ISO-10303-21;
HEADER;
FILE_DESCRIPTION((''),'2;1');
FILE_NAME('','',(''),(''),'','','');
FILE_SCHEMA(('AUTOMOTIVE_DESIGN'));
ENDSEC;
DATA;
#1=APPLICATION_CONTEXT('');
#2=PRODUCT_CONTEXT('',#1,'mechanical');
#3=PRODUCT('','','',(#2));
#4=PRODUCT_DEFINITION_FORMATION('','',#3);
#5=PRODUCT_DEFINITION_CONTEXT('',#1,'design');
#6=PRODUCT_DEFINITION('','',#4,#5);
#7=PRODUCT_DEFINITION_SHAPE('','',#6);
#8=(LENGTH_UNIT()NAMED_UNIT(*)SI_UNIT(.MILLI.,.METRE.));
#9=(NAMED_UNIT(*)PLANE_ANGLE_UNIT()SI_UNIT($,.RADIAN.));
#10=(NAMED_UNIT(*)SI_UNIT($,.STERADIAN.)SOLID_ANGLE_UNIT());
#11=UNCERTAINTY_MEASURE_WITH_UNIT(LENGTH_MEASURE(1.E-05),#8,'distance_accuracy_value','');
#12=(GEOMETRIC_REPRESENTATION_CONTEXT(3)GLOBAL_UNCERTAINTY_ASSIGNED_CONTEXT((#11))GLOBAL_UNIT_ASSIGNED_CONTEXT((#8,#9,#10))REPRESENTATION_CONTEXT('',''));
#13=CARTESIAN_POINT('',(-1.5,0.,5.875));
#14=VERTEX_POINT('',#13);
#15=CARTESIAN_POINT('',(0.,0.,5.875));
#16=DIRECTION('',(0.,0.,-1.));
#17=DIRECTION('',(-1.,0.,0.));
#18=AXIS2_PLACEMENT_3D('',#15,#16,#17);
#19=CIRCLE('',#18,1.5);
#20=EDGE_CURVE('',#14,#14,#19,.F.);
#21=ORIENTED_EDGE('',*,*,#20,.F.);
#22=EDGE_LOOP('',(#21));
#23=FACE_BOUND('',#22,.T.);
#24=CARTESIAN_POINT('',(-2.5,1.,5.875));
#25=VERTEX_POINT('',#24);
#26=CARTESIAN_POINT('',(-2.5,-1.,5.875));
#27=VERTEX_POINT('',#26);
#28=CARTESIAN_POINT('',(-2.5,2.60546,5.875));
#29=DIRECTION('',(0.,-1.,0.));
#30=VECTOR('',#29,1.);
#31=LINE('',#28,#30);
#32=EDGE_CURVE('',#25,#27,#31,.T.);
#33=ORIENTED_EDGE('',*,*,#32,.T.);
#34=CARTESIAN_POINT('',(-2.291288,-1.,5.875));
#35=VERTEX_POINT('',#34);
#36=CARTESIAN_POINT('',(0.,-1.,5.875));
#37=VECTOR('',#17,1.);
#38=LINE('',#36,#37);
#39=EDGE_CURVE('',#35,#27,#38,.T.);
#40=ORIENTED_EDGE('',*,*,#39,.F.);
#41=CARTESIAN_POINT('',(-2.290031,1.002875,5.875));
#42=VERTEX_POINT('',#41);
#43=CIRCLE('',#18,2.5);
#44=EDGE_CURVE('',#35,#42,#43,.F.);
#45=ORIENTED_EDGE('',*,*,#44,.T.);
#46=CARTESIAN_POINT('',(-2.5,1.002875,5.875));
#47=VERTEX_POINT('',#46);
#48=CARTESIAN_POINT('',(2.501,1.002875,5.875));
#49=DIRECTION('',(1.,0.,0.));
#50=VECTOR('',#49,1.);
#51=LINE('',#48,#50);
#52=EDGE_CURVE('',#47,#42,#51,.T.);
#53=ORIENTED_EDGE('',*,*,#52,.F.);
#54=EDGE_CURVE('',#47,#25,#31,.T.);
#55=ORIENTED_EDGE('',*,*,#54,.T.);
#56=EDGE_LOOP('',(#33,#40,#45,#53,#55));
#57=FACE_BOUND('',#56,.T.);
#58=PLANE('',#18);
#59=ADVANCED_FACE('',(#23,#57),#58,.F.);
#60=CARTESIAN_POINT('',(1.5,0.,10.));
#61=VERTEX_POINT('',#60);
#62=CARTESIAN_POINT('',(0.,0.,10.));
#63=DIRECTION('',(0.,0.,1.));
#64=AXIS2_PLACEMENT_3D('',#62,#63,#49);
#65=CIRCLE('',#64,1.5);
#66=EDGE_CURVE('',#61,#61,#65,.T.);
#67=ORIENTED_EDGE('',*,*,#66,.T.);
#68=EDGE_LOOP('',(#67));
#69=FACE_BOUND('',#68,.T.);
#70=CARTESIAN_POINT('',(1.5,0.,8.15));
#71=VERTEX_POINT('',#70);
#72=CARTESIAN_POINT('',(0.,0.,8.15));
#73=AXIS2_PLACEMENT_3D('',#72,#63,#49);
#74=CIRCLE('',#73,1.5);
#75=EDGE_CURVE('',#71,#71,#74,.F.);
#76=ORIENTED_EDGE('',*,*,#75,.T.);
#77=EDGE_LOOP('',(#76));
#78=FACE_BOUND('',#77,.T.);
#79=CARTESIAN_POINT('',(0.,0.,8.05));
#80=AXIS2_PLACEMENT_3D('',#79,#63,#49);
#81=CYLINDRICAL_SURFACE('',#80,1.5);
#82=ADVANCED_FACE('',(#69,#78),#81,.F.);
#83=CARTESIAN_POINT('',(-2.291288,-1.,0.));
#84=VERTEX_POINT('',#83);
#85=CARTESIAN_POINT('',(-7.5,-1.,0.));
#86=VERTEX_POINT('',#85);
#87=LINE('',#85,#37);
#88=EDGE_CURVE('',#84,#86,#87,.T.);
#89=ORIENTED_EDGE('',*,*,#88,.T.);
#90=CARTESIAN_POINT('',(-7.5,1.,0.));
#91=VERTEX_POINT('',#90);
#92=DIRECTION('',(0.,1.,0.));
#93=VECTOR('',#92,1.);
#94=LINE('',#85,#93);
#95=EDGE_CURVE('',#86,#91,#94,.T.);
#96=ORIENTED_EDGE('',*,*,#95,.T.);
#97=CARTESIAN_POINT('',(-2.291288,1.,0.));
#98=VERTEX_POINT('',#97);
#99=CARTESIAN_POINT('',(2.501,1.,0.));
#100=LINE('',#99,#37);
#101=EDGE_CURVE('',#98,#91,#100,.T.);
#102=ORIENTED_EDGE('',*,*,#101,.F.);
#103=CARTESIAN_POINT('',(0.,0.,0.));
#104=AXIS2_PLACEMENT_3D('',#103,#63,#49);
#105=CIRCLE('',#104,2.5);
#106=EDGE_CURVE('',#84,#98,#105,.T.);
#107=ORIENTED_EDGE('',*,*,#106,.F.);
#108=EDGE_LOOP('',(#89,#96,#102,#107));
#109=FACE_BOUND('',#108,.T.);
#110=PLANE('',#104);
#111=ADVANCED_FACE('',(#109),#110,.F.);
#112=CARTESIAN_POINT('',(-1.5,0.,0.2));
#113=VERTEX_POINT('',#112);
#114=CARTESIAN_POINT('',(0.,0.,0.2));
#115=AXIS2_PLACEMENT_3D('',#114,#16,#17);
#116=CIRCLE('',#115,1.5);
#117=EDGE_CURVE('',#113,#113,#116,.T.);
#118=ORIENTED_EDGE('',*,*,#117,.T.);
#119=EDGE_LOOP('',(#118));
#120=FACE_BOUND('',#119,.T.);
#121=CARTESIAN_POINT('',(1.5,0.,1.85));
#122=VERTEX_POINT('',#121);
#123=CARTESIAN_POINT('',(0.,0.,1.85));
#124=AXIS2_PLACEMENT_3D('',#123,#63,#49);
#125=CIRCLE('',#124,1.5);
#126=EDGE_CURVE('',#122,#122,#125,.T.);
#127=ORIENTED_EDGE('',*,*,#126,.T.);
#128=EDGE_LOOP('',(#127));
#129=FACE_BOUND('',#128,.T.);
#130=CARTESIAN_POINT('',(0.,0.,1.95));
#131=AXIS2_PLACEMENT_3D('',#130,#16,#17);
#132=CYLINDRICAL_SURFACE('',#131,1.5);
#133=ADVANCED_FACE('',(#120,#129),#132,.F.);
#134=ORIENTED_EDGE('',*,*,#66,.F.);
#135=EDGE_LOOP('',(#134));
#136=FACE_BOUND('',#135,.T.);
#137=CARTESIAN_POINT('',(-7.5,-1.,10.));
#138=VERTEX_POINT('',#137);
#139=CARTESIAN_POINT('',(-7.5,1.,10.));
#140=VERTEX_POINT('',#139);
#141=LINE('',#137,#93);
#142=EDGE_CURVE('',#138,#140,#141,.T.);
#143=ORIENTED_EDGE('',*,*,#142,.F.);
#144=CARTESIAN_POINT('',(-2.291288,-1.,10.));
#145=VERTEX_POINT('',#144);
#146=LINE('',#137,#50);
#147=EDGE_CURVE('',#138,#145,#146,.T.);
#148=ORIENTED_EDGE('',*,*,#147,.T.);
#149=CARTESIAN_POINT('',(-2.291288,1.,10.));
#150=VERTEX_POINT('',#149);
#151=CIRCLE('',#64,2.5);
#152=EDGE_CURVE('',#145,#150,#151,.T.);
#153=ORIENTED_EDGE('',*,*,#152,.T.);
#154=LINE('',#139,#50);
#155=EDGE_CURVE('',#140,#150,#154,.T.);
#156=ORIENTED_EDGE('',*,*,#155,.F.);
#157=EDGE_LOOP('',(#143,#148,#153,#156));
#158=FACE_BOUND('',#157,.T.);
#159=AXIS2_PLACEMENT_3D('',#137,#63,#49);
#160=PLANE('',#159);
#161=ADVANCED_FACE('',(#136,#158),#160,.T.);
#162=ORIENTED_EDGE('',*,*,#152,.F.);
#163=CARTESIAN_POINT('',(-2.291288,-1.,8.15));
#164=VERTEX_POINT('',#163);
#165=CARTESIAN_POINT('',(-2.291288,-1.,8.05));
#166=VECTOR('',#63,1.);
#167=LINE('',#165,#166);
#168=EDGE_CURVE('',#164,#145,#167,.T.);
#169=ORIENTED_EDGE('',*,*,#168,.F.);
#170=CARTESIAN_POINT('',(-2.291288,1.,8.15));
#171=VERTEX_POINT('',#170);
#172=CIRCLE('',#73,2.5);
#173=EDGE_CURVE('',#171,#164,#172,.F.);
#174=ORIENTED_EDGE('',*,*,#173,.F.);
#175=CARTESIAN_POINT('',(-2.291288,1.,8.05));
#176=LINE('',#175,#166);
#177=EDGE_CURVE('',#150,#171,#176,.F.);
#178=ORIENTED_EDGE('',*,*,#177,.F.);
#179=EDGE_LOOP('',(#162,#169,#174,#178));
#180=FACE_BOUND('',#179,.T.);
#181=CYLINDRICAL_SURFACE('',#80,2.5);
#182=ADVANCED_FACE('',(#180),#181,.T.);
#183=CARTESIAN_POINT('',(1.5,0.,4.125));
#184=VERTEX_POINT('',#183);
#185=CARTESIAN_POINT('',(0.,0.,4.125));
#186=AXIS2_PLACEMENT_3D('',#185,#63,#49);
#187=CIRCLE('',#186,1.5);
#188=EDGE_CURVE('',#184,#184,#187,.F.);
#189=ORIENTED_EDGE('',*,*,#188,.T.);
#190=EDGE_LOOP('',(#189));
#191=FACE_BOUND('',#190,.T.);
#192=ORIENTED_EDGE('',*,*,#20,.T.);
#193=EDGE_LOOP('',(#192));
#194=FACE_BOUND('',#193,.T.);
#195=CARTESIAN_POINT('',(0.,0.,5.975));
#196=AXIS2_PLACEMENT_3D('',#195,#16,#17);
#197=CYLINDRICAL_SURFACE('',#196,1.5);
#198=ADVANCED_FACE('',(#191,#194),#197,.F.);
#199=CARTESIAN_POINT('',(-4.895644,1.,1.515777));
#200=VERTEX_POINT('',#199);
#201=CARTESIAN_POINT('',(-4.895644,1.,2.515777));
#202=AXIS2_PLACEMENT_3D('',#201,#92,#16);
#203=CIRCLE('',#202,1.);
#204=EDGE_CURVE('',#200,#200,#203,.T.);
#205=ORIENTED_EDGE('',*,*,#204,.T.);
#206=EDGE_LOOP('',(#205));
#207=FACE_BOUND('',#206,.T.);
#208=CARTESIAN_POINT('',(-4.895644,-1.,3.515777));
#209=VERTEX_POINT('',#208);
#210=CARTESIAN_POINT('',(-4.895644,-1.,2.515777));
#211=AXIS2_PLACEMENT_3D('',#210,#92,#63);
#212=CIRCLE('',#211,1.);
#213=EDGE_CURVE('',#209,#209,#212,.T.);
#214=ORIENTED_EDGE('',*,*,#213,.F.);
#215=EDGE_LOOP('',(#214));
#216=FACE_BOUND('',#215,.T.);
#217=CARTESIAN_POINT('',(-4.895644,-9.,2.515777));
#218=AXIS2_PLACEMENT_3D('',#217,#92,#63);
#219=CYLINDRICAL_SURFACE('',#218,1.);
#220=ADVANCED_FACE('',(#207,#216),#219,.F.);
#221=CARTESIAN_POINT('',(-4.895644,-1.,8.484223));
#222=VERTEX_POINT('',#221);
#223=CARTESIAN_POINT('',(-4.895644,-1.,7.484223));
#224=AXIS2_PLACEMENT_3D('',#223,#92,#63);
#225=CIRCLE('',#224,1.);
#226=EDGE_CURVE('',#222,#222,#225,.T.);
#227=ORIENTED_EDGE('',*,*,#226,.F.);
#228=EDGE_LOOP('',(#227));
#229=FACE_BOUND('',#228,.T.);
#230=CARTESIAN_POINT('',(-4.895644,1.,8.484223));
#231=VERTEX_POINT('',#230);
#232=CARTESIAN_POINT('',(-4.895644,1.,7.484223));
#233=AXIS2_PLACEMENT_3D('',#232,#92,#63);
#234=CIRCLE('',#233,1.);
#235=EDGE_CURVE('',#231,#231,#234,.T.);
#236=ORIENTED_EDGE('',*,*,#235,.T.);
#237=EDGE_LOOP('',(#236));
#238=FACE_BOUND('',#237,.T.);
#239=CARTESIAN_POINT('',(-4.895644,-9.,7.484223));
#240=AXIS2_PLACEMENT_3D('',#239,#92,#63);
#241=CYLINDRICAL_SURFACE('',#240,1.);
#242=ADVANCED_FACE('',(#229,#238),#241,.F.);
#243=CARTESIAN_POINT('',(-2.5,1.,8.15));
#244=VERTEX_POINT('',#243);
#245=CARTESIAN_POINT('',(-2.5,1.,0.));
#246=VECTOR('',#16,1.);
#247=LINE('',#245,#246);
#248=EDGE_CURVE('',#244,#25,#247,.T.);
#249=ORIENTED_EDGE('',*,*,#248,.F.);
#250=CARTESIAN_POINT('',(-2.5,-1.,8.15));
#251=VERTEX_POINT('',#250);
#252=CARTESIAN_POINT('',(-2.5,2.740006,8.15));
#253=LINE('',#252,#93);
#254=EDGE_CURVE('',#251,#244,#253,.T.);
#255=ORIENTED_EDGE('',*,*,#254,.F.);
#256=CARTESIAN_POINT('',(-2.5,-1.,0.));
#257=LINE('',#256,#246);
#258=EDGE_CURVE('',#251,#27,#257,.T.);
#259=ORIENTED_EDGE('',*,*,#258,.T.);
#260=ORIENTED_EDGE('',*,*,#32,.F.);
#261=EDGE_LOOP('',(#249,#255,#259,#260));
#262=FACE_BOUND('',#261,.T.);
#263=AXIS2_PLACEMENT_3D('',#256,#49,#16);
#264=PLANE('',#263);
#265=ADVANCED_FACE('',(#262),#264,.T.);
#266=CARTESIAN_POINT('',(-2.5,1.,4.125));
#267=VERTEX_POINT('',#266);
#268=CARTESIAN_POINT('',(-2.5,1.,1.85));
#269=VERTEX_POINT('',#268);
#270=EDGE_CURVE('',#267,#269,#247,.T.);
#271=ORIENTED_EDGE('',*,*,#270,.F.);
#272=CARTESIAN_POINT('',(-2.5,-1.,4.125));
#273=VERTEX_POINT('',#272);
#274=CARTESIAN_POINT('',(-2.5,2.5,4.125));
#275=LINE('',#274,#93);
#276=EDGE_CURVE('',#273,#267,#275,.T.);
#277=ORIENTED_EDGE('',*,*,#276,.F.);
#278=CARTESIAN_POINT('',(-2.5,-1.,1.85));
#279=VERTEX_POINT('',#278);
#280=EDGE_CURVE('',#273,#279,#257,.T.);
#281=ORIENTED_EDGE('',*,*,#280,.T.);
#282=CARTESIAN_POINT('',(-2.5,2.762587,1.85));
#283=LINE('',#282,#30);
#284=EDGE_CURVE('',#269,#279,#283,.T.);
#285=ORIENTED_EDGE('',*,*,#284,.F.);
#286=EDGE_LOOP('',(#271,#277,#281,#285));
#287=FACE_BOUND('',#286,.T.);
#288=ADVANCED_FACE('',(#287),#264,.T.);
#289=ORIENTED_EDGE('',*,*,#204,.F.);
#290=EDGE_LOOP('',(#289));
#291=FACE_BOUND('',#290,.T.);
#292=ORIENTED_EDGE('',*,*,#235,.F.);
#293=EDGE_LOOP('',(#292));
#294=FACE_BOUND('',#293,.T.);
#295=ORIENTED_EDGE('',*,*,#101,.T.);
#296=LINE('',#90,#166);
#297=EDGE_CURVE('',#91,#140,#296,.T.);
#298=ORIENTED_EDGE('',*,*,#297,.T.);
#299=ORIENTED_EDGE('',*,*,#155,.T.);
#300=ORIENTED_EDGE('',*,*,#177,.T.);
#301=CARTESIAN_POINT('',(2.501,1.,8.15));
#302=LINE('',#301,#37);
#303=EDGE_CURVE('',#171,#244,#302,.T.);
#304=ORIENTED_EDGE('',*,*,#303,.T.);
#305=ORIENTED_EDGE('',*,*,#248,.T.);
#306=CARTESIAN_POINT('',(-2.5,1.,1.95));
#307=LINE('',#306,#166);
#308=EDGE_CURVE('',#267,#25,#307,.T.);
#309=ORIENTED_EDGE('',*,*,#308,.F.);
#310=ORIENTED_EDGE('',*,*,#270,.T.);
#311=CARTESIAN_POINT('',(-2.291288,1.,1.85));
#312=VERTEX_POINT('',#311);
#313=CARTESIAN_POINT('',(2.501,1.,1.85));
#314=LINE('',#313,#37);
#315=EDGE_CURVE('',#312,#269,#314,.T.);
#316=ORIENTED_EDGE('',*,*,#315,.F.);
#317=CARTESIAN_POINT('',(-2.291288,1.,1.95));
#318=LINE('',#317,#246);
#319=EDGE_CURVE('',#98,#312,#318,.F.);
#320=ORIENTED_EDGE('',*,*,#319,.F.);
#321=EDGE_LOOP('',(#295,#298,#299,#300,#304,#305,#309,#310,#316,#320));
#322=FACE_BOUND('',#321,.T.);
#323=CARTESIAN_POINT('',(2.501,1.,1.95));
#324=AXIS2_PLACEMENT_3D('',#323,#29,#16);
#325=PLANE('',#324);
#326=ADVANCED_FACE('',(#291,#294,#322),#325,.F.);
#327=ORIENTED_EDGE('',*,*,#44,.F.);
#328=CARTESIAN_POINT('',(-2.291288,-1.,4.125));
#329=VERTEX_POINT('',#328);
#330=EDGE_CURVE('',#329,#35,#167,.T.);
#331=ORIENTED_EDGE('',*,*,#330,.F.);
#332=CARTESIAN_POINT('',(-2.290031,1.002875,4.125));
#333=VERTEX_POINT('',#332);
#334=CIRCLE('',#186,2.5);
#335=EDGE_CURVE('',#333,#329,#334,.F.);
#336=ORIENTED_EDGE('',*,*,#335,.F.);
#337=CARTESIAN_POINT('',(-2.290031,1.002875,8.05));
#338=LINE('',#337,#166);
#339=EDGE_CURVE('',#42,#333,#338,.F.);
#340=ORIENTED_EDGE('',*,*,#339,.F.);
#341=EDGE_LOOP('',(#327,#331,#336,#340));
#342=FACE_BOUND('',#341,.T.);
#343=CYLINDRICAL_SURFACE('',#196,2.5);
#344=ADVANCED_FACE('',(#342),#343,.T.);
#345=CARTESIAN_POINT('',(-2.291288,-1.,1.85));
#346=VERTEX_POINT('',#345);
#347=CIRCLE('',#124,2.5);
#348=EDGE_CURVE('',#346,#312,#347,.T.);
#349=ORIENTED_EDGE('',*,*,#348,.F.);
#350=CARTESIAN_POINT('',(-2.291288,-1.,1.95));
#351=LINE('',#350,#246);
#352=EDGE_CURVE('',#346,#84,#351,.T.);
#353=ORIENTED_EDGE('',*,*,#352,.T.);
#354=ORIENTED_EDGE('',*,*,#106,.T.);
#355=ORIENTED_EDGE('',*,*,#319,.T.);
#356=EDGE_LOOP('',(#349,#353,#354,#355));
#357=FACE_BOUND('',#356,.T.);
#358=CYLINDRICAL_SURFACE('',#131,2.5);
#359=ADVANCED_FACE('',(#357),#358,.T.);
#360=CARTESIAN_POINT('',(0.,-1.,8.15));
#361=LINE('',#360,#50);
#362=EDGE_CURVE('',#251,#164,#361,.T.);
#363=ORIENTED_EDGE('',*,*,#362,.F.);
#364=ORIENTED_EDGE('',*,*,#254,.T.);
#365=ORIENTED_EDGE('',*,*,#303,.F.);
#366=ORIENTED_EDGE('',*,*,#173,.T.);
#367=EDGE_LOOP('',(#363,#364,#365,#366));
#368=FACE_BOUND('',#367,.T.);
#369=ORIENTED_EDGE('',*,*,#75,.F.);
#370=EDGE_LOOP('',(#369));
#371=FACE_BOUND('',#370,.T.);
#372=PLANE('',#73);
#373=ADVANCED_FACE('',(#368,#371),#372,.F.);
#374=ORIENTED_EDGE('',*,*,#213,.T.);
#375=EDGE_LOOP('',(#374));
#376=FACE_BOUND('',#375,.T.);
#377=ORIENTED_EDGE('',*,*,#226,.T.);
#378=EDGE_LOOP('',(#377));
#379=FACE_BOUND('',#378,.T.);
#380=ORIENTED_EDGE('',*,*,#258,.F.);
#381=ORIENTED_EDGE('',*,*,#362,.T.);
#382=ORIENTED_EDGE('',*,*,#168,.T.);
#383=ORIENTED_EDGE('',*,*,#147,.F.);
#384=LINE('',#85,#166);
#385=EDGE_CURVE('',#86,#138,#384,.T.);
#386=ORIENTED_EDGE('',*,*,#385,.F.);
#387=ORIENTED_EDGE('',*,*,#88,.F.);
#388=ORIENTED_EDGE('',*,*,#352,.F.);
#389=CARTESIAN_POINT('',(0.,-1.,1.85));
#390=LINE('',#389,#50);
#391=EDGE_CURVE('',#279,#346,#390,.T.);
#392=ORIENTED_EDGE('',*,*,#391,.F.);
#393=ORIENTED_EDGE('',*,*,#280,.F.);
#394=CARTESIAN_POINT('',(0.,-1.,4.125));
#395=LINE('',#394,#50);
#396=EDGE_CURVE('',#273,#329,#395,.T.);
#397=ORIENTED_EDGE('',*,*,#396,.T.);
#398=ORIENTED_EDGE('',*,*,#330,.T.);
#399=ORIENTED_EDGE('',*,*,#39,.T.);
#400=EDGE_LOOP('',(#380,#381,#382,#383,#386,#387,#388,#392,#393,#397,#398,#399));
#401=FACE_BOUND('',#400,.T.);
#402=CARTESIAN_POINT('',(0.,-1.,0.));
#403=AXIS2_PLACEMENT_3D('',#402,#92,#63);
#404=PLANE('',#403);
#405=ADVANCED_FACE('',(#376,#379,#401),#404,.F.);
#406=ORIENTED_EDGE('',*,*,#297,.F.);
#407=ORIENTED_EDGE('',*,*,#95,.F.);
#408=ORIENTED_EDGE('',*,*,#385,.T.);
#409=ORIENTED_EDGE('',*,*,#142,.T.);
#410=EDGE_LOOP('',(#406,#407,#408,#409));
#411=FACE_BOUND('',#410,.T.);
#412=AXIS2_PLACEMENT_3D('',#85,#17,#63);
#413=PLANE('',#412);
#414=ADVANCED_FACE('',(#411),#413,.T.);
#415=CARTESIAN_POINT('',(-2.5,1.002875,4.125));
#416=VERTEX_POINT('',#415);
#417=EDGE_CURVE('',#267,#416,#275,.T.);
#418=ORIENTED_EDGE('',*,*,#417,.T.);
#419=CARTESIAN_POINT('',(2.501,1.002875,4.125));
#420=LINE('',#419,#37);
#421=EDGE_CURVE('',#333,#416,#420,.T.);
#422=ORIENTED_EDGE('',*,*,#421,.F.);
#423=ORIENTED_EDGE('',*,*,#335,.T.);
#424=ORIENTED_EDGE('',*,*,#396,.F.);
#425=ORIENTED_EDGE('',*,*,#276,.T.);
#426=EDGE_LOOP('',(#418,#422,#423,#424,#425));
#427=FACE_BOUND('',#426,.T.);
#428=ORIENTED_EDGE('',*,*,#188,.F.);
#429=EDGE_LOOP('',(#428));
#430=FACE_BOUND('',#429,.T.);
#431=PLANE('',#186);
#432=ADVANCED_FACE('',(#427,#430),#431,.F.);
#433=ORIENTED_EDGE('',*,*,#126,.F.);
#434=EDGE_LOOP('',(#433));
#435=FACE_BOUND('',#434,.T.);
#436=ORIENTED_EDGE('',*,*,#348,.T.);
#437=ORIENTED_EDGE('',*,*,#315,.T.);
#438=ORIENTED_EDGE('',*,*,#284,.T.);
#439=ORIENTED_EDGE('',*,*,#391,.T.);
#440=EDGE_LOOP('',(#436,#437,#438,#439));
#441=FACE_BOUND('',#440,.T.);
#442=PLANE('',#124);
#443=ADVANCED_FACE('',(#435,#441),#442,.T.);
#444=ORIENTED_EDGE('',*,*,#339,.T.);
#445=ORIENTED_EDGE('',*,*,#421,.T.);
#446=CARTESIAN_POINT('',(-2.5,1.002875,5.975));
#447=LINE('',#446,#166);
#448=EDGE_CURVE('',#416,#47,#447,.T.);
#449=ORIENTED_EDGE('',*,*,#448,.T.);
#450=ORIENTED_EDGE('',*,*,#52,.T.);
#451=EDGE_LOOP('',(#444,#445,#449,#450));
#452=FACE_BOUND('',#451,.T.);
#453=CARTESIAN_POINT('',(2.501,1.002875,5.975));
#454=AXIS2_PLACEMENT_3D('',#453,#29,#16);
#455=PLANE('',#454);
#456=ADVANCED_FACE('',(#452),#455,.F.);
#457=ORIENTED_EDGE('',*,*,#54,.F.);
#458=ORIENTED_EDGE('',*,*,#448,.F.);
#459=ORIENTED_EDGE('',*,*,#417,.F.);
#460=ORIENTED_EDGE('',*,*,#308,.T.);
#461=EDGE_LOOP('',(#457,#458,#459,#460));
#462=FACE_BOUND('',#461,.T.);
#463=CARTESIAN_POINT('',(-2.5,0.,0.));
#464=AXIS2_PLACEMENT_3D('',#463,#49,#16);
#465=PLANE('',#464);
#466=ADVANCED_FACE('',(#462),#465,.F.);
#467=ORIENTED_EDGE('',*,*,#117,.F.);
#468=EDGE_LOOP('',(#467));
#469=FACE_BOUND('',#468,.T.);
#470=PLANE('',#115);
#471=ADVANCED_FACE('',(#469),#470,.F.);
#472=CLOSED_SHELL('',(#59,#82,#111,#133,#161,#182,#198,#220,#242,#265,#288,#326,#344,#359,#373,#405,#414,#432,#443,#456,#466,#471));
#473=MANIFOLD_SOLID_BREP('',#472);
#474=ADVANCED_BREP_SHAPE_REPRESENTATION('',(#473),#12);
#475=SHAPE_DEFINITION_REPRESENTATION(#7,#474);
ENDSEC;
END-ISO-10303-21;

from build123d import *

# Parameters (mm, degrees)
SKETCH1_R                = 2.5
SKETCH1_R_2              = 1.5
BOSS_EXTRUDE2_DEPTH      = 1.95
SKETCH7_W                = 5
SKETCH7_H                = 10
BOSS_EXTRUDE3_DEPTH      = 1
BOSS_EXTRUDE3_DEPTH_BACK = 1
SKETCH8_W                = 1.95
SKETCH8_H                = 2
BOSS_EXTRUDE4_DEPTH      = 0.208712
SKETCH10_R               = 2.5
SKETCH10_R_2             = 1.5
BOSS_EXTRUDE5_DEPTH      = 1.95
SKETCH12_R               = 2.5
SKETCH12_R_2             = 1.5
BOSS_EXTRUDE6_DEPTH      = 0.975
BOSS_EXTRUDE6_DEPTH_BACK = 0.975
SKETCH13_W               = 1.95
SKETCH13_H               = 2.002875352
SKETCH13_H_2             = 2
BOSS_EXTRUDE7_DEPTH      = 0.209969
SKETCH15_R               = 1.5
BOSS_EXTRUDE8_DEPTH      = 0.2
SKETCH16_R               = 1
CUT_EXTRUDE1_DEPTH       = 10
SKETCH17_W               = 5
SKETCH17_H               = 5.480011174
CUT_EXTRUDE2_DEPTH       = 0.1
SKETCH18_W               = 5
SKETCH18_H               = 5.210920168
CUT_EXTRUDE3_DEPTH       = 0.1
SKETCH19_W               = 5
SKETCH19_H               = 5
CUT_EXTRUDE5_DEPTH       = 0.1
SKETCH20_W               = 5
SKETCH20_H               = 5.52517398
CUT_EXTRUDE6_DEPTH       = 0.1


with BuildPart() as part:
    # Sketch1 → Boss-Extrude2 (new body)
    with BuildSketch(Plane.XY):
        Circle(SKETCH1_R)
        Circle(SKETCH1_R_2, mode=Mode.SUBTRACT)
    extrude(amount=BOSS_EXTRUDE2_DEPTH)



with BuildPart() as body_2:
    # Sketch7 → Boss-Extrude3 (new body, two sides)
    with BuildSketch(Plane(origin=(0, 0, 0), x_dir=(1, 0, 0), z_dir=(0, 1, 0))) as boss_extrude3_sk:
        with Locations((-5, -5)):
            Rectangle(SKETCH7_W, SKETCH7_H)
    extrude(amount=BOSS_EXTRUDE3_DEPTH)
    extrude(boss_extrude3_sk.sketch, amount=-BOSS_EXTRUDE3_DEPTH_BACK)


with BuildPart() as part_1:
    add(part.part)

    add(body_2.part)  # Boss-Extrude4 merges body 2
    # Sketch8 → Boss-Extrude4 (add)
    with BuildSketch(Plane(origin=(-2.5, 0, 0), x_dir=(0, 0, -1), z_dir=(1, 0, 0))):
        with Locations((-0.975, 0)):
            Rectangle(SKETCH8_W, SKETCH8_H)
    extrude(amount=BOSS_EXTRUDE4_DEPTH)



with BuildPart() as body_2_2:
    # Sketch10 → Boss-Extrude5 (new body)
    with BuildSketch(Plane.XY.offset(10)):
        Circle(SKETCH10_R)
        Circle(SKETCH10_R_2, mode=Mode.SUBTRACT)
    extrude(amount=-BOSS_EXTRUDE5_DEPTH)


with BuildPart() as body_3:
    # Sketch12 → Boss-Extrude6 (new body, two sides)
    with BuildSketch(Plane.YX.offset(-5)) as boss_extrude6_sk:
        Circle(SKETCH12_R)
        Circle(SKETCH12_R_2, mode=Mode.SUBTRACT)
    extrude(amount=BOSS_EXTRUDE6_DEPTH)
    extrude(boss_extrude6_sk.sketch, amount=-BOSS_EXTRUDE6_DEPTH_BACK)


with BuildPart() as part_2:
    add(part_1.part)

    add(body_2_2.part)  # Boss-Extrude7 merges body 2 2

    add(body_3.part)  # Boss-Extrude7 merges body 3
    # Sketch13 → Boss-Extrude7 (add)
    with BuildSketch(Plane(origin=(-2.5, 0, 0), x_dir=(0, 0, -1), z_dir=(1, 0, 0))):
        with Locations((-5, 0.001437676)):
            Rectangle(SKETCH13_W, SKETCH13_H)
        with Locations((-9.025, 0)):
            Rectangle(SKETCH13_W, SKETCH13_H_2)
    extrude(amount=BOSS_EXTRUDE7_DEPTH)

    # Sketch15 → Boss-Extrude8 (add)
    with BuildSketch(Plane(origin=(0, 0, 0), x_dir=(-1, 0, 0), z_dir=(0, 0, -1))):
        Circle(SKETCH15_R)
    extrude(amount=-BOSS_EXTRUDE8_DEPTH)

    # Sketch16 → Cut-Extrude1 (cut)
    with BuildSketch(Plane(origin=(0, 1, 0), x_dir=(1, 0, 0), z_dir=(0, 1, 0))):
        with Locations((-4.895643924, -7.484223199)):
            Circle(SKETCH16_R)
        with Locations((-4.895643924, -2.515776801)):
            Circle(SKETCH16_R)
    extrude(amount=-CUT_EXTRUDE1_DEPTH, mode=Mode.SUBTRACT)

    # Sketch17 → Cut-Extrude2 (cut)
    with BuildSketch(Plane(origin=(0, 0, 8.05), x_dir=(-1, 0, 0), z_dir=(0, 0, -1))):
        Rectangle(SKETCH17_W, SKETCH17_H)
    extrude(amount=-CUT_EXTRUDE2_DEPTH, mode=Mode.SUBTRACT)

    # Sketch18 → Cut-Extrude3 (cut)
    with BuildSketch(Plane.XY.offset(5.975)):
        Rectangle(SKETCH18_W, SKETCH18_H)
    extrude(amount=-CUT_EXTRUDE3_DEPTH, mode=Mode.SUBTRACT)

    # Sketch19 → Cut-Extrude5 (cut)
    with BuildSketch(Plane(origin=(0, 0, 4.025), x_dir=(-1, 0, 0), z_dir=(0, 0, -1))):
        Rectangle(SKETCH19_W, SKETCH19_H)
    extrude(amount=-CUT_EXTRUDE5_DEPTH, mode=Mode.SUBTRACT)

    # Sketch20 → Cut-Extrude6 (cut)
    with BuildSketch(Plane.XY.offset(1.95)):
        Rectangle(SKETCH20_W, SKETCH20_H)
    extrude(amount=-CUT_EXTRUDE6_DEPTH, mode=Mode.SUBTRACT)


solid = part_2.part
